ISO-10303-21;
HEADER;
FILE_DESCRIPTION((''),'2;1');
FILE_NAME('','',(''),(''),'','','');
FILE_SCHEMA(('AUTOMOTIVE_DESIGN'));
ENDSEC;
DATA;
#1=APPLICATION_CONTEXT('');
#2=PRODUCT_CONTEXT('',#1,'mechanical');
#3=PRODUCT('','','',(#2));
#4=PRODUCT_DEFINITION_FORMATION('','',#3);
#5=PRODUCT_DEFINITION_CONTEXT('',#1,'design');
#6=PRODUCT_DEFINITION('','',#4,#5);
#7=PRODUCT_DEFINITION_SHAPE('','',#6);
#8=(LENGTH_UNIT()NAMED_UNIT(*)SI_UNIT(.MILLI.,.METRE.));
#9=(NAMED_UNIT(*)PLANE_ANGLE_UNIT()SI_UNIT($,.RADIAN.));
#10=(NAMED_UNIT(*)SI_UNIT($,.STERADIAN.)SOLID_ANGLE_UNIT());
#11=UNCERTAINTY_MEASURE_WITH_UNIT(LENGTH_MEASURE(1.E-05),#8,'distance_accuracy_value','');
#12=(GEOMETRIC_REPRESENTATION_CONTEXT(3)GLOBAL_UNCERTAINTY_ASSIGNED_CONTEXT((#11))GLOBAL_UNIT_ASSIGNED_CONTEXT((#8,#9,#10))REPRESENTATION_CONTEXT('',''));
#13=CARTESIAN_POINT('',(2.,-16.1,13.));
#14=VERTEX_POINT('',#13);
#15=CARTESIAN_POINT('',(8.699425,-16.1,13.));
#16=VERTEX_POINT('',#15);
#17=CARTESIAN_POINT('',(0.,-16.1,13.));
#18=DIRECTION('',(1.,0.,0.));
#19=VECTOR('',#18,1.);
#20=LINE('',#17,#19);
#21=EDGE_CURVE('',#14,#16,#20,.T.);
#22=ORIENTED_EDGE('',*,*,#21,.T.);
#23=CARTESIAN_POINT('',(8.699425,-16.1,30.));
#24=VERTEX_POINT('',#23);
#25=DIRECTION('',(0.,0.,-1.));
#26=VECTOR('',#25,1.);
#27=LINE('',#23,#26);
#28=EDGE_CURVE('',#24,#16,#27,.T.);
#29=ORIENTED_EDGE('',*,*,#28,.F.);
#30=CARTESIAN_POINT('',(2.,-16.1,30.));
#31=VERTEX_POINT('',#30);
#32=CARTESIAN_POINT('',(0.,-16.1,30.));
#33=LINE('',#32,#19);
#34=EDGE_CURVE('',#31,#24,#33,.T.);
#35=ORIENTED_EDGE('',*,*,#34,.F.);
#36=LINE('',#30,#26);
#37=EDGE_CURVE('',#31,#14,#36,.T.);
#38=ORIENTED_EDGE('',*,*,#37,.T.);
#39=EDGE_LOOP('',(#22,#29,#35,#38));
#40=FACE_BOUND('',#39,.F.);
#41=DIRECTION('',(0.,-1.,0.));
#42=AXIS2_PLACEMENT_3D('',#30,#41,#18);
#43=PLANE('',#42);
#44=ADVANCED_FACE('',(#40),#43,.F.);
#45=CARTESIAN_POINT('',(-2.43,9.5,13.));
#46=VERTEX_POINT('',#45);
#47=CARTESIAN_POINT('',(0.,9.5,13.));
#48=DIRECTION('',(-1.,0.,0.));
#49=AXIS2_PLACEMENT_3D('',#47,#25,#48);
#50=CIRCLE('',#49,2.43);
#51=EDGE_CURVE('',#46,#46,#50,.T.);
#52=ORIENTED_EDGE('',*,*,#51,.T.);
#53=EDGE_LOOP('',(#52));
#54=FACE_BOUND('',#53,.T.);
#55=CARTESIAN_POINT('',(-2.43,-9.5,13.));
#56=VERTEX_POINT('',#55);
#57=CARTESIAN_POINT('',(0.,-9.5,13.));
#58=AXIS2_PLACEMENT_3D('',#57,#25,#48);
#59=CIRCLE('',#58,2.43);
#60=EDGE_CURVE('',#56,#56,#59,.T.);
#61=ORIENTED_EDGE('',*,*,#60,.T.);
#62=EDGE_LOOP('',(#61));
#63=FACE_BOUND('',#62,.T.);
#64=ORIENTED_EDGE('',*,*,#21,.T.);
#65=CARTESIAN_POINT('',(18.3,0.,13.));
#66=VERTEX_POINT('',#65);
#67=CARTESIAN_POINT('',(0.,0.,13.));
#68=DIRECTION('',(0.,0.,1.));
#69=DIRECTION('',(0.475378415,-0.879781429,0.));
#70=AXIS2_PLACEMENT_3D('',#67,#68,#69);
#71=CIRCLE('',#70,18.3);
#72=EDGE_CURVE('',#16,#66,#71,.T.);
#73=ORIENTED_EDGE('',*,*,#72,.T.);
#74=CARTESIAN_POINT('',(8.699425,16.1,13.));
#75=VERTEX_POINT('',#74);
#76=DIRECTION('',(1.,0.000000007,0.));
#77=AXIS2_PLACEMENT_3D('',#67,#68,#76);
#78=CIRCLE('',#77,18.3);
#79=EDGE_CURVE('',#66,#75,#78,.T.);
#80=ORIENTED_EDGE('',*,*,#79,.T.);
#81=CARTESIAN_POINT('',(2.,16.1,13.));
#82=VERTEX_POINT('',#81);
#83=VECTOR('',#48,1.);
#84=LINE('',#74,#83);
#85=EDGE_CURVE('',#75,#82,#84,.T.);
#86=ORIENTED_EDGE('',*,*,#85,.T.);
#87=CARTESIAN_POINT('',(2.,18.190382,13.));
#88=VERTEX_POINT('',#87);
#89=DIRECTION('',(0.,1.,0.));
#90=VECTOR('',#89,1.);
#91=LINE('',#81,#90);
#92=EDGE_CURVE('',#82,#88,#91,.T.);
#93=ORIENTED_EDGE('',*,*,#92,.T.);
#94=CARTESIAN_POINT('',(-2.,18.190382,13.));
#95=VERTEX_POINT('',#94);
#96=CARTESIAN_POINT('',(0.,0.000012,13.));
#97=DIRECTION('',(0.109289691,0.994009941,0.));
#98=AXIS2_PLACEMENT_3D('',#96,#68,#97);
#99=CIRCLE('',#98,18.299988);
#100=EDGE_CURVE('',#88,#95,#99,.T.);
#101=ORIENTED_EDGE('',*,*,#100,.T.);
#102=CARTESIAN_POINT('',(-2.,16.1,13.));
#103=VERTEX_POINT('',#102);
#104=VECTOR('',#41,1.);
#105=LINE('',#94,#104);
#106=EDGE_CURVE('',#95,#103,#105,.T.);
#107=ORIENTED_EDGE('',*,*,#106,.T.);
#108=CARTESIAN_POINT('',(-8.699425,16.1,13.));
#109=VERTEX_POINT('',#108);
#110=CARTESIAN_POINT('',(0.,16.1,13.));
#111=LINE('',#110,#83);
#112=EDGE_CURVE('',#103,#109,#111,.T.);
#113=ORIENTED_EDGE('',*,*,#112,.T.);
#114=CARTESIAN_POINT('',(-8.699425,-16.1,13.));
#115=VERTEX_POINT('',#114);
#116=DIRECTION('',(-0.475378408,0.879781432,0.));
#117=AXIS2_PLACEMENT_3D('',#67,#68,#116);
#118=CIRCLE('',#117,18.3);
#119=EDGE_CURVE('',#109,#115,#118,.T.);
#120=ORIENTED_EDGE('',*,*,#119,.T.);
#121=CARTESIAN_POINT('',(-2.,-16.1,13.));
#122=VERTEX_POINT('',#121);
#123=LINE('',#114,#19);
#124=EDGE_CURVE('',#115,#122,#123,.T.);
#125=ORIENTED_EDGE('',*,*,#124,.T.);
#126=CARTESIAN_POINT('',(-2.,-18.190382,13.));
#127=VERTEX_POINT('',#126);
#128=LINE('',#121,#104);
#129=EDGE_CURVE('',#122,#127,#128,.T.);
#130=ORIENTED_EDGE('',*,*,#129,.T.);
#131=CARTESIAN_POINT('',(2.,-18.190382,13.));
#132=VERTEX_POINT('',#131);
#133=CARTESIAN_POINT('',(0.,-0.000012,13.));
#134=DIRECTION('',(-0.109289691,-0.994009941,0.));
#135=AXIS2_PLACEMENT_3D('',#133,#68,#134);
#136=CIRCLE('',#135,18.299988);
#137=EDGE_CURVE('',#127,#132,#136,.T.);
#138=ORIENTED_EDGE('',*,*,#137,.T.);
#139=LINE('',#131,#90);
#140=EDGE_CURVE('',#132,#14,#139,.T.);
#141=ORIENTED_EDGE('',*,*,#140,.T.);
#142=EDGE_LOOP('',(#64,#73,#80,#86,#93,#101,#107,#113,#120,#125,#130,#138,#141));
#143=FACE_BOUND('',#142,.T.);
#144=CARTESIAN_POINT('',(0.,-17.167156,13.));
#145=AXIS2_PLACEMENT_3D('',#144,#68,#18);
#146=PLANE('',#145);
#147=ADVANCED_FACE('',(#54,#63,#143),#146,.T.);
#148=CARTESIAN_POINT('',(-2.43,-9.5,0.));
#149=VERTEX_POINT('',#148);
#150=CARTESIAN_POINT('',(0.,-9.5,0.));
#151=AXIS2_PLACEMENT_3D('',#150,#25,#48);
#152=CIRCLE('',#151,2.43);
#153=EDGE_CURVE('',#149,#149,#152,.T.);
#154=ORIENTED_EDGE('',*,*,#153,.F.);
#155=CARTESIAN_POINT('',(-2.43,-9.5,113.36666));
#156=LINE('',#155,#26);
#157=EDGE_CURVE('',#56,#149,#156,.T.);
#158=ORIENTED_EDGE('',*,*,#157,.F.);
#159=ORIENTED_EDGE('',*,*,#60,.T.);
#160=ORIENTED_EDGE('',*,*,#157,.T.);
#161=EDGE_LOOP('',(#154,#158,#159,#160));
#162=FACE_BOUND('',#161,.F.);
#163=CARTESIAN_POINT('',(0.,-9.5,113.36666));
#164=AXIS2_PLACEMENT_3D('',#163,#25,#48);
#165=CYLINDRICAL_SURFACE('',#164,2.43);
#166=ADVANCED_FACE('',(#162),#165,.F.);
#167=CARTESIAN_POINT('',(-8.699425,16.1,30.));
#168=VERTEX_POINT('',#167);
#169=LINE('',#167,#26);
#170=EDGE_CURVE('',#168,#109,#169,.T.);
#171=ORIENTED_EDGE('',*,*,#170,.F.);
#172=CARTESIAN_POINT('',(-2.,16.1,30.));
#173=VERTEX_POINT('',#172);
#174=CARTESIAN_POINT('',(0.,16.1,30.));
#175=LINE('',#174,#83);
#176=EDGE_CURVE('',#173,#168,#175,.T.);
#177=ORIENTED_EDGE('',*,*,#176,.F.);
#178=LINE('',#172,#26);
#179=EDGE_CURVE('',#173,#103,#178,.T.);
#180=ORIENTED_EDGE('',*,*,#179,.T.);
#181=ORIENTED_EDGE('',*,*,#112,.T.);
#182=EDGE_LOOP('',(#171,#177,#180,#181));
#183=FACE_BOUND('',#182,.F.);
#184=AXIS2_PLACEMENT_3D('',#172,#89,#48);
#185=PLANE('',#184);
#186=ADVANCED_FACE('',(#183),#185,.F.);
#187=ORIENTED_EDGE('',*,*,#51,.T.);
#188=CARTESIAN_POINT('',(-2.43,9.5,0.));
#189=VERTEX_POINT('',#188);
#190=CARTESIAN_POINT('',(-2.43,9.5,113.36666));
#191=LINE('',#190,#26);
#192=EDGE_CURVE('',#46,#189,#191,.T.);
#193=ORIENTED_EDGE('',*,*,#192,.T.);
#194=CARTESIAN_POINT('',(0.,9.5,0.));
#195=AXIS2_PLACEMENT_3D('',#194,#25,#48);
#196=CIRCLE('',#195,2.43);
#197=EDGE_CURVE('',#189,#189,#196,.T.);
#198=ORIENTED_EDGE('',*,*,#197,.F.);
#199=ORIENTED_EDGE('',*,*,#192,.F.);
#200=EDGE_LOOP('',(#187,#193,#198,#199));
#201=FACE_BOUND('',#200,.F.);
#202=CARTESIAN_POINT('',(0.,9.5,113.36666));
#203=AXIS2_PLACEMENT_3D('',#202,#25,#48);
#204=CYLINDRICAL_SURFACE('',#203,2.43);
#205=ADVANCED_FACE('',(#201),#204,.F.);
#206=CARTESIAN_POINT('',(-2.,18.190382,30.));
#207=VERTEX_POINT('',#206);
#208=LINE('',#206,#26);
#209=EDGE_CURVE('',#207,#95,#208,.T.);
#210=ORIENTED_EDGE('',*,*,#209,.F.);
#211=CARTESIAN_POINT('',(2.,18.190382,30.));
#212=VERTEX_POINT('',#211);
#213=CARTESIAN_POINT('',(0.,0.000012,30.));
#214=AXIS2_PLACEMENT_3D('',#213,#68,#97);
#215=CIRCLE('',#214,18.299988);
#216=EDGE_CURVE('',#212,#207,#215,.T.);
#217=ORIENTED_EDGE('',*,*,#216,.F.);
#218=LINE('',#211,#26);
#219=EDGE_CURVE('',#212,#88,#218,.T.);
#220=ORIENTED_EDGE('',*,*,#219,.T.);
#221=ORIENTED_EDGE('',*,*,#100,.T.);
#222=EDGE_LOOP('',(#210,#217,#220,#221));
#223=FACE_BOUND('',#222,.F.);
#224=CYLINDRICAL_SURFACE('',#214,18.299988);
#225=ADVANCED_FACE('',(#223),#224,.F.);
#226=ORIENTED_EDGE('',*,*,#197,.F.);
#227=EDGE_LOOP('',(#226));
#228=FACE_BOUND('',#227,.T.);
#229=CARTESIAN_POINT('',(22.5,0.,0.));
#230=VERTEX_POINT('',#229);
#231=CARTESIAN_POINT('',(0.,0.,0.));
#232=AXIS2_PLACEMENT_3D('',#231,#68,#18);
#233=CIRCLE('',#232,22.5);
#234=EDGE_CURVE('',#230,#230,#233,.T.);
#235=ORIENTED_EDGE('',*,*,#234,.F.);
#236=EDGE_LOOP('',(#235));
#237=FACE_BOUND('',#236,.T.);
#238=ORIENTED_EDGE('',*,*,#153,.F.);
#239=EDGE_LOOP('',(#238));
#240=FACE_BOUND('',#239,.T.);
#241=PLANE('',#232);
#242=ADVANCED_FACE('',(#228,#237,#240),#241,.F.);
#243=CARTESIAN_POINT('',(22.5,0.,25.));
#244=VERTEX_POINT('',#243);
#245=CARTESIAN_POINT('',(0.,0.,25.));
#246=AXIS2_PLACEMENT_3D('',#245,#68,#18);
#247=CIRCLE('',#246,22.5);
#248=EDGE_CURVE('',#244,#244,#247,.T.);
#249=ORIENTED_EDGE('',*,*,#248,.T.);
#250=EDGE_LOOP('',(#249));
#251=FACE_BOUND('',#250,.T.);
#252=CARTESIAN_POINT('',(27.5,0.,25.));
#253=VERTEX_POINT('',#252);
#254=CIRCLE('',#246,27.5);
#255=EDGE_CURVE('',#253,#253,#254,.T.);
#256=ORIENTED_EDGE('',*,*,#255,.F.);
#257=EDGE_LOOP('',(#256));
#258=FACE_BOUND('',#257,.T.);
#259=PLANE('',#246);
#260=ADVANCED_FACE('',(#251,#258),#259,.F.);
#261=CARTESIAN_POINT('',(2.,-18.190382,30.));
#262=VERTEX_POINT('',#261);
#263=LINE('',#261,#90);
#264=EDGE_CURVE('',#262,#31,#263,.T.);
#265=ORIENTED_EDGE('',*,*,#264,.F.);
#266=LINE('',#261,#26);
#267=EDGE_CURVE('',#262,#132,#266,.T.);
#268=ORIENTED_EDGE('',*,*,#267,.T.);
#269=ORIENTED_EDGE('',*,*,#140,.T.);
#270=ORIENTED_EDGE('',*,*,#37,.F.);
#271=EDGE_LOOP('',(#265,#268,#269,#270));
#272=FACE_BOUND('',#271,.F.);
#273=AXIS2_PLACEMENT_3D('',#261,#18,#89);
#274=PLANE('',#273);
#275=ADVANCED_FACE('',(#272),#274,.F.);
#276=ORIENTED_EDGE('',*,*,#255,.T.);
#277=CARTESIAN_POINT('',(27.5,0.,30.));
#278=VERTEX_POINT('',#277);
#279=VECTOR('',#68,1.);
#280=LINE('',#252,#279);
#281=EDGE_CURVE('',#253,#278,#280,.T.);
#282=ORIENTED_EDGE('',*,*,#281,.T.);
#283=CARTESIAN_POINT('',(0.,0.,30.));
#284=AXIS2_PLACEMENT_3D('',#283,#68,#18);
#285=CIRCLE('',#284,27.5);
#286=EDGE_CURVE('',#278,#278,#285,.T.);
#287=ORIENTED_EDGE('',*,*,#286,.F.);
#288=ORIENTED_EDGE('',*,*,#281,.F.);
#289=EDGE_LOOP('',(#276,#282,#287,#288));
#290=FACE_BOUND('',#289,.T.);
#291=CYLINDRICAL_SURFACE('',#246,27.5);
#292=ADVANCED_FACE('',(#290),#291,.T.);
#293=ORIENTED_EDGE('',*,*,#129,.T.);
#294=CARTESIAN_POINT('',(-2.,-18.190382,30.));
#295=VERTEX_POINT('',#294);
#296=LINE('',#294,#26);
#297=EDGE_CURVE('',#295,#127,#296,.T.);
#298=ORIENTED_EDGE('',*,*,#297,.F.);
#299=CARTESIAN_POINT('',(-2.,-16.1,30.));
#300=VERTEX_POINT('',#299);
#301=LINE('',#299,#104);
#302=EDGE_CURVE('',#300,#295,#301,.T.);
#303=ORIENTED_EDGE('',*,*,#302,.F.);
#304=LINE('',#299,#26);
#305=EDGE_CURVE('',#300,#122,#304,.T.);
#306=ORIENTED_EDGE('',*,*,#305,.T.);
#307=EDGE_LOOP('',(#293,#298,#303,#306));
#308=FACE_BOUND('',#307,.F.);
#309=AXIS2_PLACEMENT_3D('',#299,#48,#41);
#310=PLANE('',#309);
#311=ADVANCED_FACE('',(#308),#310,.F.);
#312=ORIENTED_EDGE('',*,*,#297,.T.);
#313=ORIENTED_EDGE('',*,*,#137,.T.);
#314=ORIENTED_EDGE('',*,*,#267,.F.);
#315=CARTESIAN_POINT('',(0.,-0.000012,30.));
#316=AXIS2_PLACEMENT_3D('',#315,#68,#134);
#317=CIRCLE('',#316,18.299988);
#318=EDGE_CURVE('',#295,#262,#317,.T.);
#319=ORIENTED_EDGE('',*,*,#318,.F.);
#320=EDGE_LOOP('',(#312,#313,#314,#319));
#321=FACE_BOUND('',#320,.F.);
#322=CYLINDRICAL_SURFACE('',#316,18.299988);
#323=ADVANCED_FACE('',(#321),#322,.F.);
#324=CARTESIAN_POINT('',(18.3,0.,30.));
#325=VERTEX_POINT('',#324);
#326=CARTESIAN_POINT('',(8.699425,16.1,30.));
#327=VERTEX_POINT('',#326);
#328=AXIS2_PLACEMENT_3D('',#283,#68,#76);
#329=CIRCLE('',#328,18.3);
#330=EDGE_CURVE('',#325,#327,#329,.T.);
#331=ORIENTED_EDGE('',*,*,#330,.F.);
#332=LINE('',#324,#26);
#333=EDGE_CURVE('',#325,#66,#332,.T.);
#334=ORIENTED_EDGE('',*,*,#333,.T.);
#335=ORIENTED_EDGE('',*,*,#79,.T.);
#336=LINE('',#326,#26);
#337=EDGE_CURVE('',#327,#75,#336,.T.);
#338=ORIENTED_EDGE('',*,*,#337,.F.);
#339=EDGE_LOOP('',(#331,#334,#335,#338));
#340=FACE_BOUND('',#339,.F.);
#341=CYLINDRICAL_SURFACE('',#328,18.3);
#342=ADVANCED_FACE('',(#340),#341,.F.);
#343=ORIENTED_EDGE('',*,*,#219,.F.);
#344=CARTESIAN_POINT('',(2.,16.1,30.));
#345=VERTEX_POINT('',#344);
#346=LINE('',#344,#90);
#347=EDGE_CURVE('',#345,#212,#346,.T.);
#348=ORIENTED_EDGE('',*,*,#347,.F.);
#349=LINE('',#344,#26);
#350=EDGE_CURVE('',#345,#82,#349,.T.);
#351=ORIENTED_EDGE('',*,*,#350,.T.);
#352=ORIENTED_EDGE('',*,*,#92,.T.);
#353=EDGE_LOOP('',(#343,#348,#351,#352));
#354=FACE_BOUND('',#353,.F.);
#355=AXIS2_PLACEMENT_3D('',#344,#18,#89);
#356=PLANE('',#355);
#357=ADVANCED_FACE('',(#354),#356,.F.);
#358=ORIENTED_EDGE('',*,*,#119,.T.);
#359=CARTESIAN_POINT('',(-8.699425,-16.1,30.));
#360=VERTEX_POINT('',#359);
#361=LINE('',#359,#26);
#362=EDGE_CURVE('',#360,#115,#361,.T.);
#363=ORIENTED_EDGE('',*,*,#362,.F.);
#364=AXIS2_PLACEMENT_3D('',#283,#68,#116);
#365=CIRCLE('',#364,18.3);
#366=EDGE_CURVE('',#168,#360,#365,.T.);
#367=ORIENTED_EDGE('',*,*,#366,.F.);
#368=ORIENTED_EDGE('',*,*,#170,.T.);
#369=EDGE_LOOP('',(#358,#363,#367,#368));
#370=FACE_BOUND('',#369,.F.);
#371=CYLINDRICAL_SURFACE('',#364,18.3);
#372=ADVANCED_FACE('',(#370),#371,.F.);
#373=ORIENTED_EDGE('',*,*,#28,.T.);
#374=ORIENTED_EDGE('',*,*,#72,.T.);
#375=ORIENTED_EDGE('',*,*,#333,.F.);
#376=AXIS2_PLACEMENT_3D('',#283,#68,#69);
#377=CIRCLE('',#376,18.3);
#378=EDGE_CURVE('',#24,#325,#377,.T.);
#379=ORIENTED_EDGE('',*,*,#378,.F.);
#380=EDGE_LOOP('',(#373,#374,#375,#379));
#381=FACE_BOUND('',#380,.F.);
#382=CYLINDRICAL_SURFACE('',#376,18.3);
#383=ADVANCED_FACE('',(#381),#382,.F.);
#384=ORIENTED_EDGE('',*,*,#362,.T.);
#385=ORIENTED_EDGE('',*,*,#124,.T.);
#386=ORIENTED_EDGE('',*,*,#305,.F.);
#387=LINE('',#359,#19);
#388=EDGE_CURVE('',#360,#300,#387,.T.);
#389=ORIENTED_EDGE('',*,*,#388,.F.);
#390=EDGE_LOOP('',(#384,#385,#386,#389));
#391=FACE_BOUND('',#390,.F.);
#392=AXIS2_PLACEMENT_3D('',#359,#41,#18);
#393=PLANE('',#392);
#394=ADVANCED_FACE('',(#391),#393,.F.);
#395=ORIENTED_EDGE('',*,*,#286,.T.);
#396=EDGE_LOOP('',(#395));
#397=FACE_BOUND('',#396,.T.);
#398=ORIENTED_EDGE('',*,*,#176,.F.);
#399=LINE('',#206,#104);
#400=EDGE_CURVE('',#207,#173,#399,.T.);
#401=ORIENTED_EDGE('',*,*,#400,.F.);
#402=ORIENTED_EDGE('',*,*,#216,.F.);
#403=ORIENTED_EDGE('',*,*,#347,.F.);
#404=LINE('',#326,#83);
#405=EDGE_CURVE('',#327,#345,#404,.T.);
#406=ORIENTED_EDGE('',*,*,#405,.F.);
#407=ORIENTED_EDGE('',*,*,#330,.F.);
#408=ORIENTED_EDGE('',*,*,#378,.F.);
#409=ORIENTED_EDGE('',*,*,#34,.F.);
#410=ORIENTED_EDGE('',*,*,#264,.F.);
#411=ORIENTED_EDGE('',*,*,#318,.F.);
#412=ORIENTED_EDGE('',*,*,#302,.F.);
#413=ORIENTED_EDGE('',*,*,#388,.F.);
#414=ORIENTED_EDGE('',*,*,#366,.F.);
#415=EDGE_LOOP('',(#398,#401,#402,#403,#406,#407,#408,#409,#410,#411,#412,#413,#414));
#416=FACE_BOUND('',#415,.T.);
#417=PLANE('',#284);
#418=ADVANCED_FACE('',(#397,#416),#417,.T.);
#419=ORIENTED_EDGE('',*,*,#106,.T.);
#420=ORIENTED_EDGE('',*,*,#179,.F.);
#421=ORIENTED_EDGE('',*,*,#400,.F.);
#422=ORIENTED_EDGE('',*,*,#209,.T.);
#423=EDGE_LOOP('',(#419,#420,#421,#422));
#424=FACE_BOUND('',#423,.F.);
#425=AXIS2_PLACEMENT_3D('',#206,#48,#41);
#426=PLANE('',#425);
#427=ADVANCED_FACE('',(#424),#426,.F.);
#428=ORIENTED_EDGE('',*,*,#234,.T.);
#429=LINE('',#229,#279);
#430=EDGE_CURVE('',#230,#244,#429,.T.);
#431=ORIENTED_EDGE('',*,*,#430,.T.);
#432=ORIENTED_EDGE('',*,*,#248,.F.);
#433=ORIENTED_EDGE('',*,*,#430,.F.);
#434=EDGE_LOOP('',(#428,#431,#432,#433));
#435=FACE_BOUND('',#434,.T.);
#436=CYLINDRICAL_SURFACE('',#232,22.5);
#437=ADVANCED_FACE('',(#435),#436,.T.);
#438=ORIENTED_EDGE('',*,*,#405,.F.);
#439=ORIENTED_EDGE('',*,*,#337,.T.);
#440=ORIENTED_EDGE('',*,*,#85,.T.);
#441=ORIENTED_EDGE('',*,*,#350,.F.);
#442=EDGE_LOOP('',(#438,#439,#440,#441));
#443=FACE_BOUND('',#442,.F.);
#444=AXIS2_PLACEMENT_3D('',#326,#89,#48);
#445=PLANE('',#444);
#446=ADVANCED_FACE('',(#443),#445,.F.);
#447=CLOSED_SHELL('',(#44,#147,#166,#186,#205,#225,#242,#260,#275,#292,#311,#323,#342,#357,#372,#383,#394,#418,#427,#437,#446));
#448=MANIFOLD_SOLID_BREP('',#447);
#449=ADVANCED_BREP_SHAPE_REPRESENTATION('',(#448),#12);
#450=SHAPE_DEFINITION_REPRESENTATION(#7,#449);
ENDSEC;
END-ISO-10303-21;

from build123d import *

# Parameters (mm, degrees)
F3_DEPTH = 17
F4_D     = 4.86


with BuildPart() as f1:
    # F0 (on Front) → F1 (revolve)
    with BuildSketch(Plane.XZ):
        Polygon((0, 30), (0, 0), (22.5, 0), (22.5, 25), (27.5, 25), (27.5, 30), align=None)
    revolve(axis=Axis((0, 0, 15), (0, 0, 1)))

    # F2 (on face) → F3 (cut)
    with BuildSketch(Plane.XY.offset(30)):
        with BuildLine():
            Line((2, -16.1), (0, -16.1))
            Line((0, -16.1), (-2, -16.1))
            Line((-2, -16.1), (-2, -18.190382))
            ThreePointArc((-2, -18.190382), (0, -18.3), (2, -18.190382))
            Line((2, -18.190382), (2, -16.1))
        make_face()
        with BuildLine():
            Line((0, -9.5), (0, 0))
            Line((0, 0), (0, 9.5))
            Line((0, 9.5), (0, 16.1))
            Line((0, 16.1), (-2, 16.1))
            Line((-2, 16.1), (-8.699425, 16.1))
            ThreePointArc((-8.699425, 16.1), (-18.3, 0), (-8.699425, -16.1))
            Line((-8.699425, -16.1), (-2, -16.1))
            Line((-2, -16.1), (0, -16.1))
            Line((0, -16.1), (0, -9.5))
        make_face()
        with BuildLine():
            Line((-2, 16.1), (0, 16.1))
            Line((0, 16.1), (2, 16.1))
            Line((2, 16.1), (2, 18.190382))
            ThreePointArc((2, 18.190382), (0, 18.3), (-2, 18.190382))
            Line((-2, 18.190382), (-2, 16.1))
        make_face()
        with BuildLine():
            Line((0, 9.5), (0, 0))
            Line((0, 0), (10, 0))
            Line((10, 0), (18.3, 0))
            ThreePointArc((18.3, 0), (15.717657, 9.37258), (8.699425, 16.1))
            Line((8.699425, 16.1), (2, 16.1))
            Line((2, 16.1), (0, 16.1))
            Line((0, 16.1), (0, 9.5))
        make_face()
        with BuildLine():
            Line((10, 0), (0, 0))
            Line((0, 0), (0, -9.5))
            Line((0, -9.5), (0, -16.1))
            Line((0, -16.1), (2, -16.1))
            Line((2, -16.1), (8.699425, -16.1))
            ThreePointArc((8.699425, -16.1), (15.717657, -9.37258), (18.3, 0))
            Line((18.3, 0), (10, 0))
        make_face()
    extrude(amount=-F3_DEPTH, mode=Mode.SUBTRACT)

    # F4 (through all)
    with Locations(Plane.XY.offset(30)):
        with Locations((0, 9.5), (0, -9.5)):
            Hole(F4_D / 2)


solid = f1.part
